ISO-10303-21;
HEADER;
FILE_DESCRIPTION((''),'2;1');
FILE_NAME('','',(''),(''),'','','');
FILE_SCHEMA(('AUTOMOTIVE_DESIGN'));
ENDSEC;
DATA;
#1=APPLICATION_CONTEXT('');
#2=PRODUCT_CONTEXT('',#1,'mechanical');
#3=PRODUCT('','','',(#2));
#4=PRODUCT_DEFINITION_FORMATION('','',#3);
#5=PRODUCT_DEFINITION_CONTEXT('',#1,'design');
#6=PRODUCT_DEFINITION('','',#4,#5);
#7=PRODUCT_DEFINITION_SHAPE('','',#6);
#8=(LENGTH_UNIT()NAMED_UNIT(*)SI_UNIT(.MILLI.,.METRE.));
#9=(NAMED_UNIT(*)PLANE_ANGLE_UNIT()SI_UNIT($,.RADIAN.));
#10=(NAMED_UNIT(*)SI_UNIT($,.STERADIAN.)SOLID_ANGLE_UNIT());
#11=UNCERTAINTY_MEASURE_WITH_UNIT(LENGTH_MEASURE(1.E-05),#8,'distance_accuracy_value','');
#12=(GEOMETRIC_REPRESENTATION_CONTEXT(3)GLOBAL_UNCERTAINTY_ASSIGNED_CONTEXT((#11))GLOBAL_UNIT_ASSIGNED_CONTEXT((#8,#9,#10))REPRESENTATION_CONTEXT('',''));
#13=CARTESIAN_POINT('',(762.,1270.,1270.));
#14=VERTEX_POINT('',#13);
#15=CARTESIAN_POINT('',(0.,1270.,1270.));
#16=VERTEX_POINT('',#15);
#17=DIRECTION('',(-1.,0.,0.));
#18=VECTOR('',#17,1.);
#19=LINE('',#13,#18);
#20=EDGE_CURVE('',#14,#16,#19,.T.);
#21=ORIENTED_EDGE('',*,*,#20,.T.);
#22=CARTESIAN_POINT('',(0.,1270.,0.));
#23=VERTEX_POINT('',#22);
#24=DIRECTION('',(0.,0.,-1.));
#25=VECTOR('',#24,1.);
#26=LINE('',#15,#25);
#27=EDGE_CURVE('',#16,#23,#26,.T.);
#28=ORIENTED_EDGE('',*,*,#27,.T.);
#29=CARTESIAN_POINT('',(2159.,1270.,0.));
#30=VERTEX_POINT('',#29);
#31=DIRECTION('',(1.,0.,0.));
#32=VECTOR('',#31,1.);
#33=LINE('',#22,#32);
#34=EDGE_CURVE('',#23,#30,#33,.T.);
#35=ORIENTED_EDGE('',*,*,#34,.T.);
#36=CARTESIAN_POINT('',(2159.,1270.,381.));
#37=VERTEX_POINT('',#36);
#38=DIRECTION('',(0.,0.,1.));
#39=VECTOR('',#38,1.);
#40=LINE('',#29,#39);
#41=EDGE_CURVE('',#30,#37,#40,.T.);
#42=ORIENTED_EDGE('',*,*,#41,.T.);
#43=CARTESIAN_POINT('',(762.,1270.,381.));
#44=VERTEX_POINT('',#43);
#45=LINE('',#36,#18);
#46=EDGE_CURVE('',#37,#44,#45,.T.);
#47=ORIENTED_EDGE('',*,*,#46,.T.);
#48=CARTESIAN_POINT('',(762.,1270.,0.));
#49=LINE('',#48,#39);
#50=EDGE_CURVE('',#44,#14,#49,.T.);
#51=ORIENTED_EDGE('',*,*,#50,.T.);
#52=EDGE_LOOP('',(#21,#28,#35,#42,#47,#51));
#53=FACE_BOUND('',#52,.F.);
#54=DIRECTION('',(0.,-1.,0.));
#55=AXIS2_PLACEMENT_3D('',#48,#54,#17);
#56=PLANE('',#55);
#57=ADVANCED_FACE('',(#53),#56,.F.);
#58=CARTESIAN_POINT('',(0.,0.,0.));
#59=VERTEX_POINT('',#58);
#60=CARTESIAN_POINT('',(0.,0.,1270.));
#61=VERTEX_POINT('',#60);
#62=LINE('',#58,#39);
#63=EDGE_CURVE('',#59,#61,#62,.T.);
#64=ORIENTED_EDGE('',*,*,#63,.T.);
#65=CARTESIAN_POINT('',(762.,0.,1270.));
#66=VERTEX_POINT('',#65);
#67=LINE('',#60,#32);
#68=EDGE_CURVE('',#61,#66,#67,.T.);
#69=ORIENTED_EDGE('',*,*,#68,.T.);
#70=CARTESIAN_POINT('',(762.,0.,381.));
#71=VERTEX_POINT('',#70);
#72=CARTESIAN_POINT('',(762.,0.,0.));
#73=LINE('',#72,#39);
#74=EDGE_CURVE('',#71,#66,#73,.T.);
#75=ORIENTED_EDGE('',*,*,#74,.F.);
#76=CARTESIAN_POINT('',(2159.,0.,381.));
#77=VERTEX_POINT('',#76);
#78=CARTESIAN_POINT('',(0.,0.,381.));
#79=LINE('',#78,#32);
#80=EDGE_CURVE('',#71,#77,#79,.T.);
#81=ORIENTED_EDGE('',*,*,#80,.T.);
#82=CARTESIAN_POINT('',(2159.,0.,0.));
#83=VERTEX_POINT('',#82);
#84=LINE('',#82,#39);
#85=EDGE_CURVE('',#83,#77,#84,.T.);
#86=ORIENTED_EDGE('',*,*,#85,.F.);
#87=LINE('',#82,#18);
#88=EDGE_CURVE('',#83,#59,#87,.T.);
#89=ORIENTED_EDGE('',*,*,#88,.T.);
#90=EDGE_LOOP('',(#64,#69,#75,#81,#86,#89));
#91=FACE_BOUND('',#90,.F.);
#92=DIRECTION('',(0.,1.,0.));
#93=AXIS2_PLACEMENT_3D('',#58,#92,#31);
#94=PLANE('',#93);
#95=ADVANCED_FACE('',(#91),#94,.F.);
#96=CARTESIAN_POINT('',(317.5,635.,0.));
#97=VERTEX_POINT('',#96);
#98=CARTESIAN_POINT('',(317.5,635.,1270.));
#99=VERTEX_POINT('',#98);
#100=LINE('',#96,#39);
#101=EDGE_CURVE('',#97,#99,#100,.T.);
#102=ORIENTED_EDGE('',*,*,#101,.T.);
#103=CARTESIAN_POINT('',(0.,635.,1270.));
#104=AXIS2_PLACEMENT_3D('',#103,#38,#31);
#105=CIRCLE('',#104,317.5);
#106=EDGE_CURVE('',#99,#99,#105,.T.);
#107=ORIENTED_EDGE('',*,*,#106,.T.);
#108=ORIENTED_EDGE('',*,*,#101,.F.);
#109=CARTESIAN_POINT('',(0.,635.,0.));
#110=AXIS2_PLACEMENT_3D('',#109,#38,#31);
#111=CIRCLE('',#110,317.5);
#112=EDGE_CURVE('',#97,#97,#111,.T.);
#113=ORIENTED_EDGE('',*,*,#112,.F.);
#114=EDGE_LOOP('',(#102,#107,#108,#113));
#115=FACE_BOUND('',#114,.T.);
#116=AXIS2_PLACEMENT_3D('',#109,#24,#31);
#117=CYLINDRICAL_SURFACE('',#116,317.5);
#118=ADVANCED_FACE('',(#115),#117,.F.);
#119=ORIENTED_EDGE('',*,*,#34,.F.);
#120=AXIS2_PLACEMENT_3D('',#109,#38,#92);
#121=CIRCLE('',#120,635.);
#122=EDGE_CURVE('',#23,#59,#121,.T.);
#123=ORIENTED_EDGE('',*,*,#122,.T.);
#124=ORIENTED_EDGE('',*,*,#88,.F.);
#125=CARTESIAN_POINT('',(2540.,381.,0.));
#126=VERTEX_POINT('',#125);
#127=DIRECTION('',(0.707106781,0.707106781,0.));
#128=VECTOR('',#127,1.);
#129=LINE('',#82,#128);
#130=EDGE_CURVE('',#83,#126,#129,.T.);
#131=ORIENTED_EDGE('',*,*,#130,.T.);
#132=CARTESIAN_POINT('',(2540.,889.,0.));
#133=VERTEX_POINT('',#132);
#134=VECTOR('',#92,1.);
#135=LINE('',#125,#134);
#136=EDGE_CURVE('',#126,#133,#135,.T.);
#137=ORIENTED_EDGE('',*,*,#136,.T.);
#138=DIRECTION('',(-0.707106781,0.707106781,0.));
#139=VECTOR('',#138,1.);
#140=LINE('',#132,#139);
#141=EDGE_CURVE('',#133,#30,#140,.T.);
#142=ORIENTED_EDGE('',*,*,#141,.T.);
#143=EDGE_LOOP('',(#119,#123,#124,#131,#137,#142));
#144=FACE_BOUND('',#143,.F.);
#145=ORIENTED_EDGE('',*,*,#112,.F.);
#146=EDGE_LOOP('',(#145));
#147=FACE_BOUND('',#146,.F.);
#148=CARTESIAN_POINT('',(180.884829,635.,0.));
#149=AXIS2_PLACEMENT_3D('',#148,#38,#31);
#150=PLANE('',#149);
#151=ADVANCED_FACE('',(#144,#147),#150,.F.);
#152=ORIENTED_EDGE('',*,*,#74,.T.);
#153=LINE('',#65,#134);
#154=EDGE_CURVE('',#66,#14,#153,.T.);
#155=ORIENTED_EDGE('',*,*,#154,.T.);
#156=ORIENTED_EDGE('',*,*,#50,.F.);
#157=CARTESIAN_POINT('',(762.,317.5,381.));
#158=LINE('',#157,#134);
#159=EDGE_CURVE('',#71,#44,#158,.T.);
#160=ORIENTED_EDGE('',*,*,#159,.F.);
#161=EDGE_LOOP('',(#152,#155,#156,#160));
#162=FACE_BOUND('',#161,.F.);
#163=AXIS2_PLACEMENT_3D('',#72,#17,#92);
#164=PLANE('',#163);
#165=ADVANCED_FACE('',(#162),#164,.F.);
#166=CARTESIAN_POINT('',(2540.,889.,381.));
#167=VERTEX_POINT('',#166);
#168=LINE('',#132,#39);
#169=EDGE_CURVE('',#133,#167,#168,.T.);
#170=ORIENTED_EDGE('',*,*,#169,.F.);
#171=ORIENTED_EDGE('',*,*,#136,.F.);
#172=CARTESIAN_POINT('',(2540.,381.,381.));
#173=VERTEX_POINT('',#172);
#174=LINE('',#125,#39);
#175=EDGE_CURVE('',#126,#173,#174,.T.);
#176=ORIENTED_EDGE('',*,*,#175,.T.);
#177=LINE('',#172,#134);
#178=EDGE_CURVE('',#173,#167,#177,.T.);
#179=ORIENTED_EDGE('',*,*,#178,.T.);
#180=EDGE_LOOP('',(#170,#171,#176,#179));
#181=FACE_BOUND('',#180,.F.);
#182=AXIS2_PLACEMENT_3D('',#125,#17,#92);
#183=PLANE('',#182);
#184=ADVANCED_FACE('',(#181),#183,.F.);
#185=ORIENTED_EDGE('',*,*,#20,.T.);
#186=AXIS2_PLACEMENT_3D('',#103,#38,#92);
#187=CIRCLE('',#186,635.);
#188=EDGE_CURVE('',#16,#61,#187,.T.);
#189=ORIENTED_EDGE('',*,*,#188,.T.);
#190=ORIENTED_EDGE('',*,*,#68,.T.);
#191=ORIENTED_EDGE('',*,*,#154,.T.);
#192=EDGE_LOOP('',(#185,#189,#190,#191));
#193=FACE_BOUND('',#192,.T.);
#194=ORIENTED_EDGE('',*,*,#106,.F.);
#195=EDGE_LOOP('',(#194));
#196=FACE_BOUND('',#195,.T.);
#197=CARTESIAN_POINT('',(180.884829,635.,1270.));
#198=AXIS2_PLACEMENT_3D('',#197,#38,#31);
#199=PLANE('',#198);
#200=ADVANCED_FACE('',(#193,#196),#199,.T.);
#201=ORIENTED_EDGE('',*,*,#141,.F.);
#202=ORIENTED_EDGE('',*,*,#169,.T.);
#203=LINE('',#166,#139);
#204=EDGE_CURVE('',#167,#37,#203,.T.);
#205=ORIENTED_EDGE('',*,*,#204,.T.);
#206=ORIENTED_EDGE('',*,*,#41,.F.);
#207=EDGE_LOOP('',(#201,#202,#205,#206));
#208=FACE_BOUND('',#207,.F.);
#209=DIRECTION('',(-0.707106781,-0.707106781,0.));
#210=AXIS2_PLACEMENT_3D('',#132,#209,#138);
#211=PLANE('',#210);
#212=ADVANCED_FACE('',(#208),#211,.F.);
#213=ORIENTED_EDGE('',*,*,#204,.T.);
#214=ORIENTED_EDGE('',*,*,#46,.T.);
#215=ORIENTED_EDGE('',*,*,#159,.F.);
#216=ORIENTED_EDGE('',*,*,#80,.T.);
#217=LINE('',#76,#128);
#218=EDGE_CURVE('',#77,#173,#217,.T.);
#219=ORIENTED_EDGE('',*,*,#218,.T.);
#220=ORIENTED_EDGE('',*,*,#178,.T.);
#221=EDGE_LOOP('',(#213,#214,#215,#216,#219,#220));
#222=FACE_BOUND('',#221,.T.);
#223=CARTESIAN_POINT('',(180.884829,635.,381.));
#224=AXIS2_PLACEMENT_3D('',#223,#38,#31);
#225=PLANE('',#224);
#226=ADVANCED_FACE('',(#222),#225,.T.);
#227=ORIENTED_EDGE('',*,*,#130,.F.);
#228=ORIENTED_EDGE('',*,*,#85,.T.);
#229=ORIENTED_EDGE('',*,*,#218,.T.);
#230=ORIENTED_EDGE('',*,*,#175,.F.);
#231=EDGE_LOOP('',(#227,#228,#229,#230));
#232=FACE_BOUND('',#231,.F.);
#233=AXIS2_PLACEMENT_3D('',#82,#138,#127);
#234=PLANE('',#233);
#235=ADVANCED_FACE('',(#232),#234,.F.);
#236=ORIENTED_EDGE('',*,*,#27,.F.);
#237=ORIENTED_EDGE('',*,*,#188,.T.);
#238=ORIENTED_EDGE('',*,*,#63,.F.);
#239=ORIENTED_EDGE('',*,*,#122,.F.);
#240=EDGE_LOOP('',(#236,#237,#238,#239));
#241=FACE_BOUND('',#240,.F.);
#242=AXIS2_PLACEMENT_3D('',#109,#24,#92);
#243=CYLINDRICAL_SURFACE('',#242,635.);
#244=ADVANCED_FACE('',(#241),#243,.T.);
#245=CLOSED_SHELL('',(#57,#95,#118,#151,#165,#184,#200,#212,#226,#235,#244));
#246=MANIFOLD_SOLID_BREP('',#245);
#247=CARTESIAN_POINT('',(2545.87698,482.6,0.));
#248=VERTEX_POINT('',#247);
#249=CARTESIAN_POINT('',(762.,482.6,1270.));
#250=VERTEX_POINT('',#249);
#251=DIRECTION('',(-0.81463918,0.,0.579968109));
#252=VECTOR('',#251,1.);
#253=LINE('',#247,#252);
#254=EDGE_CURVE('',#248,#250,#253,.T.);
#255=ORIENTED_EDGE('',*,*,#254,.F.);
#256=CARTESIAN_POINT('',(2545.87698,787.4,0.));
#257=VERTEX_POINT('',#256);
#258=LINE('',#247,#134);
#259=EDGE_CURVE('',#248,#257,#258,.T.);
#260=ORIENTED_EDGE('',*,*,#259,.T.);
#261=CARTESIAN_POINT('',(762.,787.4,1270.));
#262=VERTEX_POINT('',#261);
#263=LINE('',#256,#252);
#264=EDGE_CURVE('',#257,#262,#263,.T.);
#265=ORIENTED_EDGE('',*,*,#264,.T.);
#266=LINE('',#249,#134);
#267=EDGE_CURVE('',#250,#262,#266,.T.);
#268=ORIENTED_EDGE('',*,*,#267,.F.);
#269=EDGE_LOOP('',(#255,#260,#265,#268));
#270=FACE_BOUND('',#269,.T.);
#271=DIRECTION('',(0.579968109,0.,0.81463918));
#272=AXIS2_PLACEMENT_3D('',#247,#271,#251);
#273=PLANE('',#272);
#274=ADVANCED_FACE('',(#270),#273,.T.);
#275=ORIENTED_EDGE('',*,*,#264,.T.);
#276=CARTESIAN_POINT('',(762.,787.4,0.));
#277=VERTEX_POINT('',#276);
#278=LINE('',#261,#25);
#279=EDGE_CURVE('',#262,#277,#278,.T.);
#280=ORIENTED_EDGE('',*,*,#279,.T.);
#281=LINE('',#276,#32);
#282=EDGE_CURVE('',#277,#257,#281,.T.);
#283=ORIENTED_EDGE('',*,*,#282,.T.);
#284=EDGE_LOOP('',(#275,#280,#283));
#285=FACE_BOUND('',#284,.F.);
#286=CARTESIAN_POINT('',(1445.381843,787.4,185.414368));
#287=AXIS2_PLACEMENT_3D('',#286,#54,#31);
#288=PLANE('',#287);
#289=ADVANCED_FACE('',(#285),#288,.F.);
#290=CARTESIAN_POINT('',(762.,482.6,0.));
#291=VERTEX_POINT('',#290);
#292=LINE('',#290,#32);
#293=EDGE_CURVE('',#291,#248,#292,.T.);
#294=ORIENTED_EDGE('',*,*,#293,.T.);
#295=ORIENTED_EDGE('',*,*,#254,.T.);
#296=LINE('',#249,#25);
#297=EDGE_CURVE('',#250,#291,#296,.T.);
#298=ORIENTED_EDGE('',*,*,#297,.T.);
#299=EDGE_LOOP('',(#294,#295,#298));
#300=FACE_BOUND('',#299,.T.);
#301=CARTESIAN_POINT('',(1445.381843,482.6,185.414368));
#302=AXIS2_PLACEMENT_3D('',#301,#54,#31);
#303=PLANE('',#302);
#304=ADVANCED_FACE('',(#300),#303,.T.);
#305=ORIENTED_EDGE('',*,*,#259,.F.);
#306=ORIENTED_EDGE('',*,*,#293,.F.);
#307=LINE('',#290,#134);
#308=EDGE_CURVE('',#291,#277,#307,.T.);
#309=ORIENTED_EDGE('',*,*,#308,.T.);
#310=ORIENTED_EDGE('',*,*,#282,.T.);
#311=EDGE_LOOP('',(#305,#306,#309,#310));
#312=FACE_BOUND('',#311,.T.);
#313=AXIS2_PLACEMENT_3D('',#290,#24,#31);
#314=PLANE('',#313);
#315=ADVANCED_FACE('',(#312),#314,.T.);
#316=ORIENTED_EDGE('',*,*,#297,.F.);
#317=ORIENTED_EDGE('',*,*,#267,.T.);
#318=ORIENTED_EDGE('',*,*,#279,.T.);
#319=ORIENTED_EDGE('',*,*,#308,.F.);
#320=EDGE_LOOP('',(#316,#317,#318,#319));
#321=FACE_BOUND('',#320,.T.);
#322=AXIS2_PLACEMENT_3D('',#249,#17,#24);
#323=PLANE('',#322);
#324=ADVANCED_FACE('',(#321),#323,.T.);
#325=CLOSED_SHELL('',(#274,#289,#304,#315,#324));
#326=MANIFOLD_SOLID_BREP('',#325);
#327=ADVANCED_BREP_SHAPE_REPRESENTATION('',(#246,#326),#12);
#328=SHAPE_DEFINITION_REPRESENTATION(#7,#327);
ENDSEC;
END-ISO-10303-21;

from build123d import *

# Parameters (mm, degrees)
F0_R     = 317.5
F1_DEPTH = 1270
F2_DEPTH = 381
F4_START = -482.6
F4_DEPTH = 304.8


with BuildPart() as f1:
    # F0 (on Top) → F1 (new body)
    with BuildSketch(Plane.XY):
        with BuildLine():
            ThreePointArc((0, 1270), (-635, 635), (0, 0))
            Line((0, 0), (762, 0))
            Line((762, 0), (762, 1270))
            Line((762, 1270), (0, 1270))
        make_face()
        with Locations((0, 635)):
            Circle(F0_R, mode=Mode.SUBTRACT)
    extrude(amount=F1_DEPTH)

    # F0 (on Top) → F2 (join)
    with BuildSketch(Plane.XY):
        with BuildLine():
            ThreePointArc((0, 1270), (-635, 635), (0, 0))
            Line((0, 0), (762, 0))
            Line((762, 0), (762, 1270))
            Line((762, 1270), (0, 1270))
        make_face()
        with Locations((0, 635)):
            Circle(F0_R, mode=Mode.SUBTRACT)
        Polygon((762, 1270), (762, 0), (2159, 0), (2540, 381), (2540, 889), (2159, 1270), align=None)
    extrude(amount=F2_DEPTH)


with BuildPart() as f4:
    # F3 (on face) → F4 (new body)
    with BuildSketch(Plane.XZ.offset(F4_START)):
        Polygon((2159, 275.4302958878), (2010.7138858795, 381), (762, 381), (762, 0), (2159, 0), align=None)
        Polygon((2010.7138858795, 381), (762, 1270), (762, 381), align=None)
        Polygon((2545.8769798279, 0), (2159, 275.4302958878), (2159, 0), align=None)
    extrude(amount=-F4_DEPTH)


solid = Compound([f1.part, f4.part])
